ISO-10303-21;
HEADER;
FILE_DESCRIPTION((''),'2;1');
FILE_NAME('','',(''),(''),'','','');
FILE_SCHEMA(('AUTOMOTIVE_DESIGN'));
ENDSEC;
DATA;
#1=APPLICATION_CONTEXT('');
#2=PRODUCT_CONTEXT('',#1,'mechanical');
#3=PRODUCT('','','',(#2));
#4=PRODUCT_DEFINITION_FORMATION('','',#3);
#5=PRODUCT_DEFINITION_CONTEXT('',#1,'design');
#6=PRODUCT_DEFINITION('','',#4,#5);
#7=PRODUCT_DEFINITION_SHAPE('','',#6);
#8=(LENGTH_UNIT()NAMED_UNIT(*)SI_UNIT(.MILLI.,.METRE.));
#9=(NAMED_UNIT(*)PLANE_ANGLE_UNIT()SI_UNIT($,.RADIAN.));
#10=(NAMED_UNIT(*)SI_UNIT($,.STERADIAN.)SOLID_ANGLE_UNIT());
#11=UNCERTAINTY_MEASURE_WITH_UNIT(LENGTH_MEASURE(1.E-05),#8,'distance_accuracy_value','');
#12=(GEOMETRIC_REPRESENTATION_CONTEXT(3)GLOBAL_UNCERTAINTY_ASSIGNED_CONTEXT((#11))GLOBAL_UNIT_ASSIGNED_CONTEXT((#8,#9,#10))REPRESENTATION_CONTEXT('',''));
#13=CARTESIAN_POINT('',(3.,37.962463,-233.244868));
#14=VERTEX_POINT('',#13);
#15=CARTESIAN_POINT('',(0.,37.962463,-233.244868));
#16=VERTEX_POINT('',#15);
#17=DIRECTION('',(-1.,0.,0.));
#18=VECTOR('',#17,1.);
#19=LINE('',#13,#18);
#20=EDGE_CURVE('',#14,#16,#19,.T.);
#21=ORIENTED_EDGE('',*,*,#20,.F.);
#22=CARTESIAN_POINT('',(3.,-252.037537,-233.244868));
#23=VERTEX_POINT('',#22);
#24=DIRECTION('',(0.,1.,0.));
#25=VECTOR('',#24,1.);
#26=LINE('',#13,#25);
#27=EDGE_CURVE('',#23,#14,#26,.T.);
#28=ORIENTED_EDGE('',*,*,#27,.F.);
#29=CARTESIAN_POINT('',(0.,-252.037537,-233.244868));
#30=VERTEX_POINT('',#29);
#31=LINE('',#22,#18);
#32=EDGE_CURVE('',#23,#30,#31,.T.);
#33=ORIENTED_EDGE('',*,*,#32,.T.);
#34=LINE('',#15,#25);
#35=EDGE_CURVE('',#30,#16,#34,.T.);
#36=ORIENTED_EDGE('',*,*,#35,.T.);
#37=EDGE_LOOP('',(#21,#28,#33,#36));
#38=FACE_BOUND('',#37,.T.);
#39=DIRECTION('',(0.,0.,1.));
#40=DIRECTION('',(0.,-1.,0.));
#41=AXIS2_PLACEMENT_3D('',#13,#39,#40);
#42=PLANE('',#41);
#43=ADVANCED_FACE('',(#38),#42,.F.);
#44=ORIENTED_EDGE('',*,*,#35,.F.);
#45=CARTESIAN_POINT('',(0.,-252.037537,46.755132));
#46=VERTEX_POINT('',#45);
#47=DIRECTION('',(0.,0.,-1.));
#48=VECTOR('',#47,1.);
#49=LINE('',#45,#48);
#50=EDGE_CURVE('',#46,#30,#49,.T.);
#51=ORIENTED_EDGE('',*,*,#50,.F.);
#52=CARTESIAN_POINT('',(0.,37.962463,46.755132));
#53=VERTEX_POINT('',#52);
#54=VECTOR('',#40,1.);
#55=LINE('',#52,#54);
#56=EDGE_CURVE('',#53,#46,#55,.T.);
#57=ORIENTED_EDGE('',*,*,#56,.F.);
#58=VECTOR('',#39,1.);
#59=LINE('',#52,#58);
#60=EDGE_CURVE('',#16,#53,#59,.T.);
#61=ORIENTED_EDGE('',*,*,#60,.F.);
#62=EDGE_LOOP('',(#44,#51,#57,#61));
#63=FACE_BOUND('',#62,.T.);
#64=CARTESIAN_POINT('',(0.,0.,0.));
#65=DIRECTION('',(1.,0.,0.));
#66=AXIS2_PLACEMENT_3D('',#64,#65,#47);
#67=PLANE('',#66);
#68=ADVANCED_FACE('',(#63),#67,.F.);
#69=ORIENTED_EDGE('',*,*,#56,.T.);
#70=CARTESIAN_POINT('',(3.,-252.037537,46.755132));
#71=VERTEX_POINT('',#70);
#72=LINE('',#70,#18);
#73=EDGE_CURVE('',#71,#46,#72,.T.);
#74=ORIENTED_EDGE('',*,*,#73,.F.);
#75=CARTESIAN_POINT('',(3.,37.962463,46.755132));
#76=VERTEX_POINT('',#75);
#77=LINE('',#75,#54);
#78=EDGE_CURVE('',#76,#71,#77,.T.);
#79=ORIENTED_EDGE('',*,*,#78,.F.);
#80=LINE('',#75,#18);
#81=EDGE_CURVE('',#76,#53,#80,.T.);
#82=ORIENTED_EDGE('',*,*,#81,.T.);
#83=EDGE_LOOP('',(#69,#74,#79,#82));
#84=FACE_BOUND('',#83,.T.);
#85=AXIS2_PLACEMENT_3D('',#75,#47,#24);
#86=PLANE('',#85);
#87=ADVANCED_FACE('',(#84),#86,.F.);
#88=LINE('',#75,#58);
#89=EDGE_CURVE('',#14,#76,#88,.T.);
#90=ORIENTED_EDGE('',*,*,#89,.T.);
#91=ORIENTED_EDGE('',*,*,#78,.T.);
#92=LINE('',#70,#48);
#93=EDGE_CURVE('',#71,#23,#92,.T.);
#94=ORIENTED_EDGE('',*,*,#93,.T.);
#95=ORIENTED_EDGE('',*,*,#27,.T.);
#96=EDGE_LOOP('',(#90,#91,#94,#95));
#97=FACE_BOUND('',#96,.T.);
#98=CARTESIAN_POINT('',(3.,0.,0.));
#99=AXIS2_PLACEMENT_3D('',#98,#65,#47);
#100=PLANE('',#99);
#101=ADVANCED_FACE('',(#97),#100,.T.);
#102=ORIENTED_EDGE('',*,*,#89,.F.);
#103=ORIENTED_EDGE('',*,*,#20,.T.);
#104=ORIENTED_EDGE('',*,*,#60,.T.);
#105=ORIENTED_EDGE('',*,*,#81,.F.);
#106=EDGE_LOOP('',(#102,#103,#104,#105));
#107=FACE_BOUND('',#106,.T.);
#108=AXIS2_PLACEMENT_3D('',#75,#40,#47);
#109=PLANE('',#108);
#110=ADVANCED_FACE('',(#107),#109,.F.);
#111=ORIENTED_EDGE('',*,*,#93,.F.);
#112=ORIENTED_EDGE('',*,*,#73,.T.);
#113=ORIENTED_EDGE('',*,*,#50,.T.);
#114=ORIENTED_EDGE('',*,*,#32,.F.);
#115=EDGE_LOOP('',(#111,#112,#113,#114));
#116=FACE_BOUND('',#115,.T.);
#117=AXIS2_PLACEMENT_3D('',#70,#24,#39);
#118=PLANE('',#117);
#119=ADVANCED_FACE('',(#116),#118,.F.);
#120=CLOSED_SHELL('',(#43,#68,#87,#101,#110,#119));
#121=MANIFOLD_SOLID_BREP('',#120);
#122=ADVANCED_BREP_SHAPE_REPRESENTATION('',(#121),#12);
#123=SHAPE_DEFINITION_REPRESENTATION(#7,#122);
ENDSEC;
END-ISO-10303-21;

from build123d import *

# Parameters (mm, degrees)
SKETCH_1_W      = 280
SKETCH_1_H      = 290
EXTRUDE_1_DEPTH = 3


with BuildPart() as part:
    # 草图1 → 凸台-拉伸1 (new body)
    with BuildSketch(Plane(origin=(0, 0, 0), x_dir=(0, 0, -1), z_dir=(1, 0, 0))):
        with Locations((93.244868054, -107.037537301)):
            Rectangle(SKETCH_1_W, SKETCH_1_H)
    extrude(amount=EXTRUDE_1_DEPTH)


solid = part.part
